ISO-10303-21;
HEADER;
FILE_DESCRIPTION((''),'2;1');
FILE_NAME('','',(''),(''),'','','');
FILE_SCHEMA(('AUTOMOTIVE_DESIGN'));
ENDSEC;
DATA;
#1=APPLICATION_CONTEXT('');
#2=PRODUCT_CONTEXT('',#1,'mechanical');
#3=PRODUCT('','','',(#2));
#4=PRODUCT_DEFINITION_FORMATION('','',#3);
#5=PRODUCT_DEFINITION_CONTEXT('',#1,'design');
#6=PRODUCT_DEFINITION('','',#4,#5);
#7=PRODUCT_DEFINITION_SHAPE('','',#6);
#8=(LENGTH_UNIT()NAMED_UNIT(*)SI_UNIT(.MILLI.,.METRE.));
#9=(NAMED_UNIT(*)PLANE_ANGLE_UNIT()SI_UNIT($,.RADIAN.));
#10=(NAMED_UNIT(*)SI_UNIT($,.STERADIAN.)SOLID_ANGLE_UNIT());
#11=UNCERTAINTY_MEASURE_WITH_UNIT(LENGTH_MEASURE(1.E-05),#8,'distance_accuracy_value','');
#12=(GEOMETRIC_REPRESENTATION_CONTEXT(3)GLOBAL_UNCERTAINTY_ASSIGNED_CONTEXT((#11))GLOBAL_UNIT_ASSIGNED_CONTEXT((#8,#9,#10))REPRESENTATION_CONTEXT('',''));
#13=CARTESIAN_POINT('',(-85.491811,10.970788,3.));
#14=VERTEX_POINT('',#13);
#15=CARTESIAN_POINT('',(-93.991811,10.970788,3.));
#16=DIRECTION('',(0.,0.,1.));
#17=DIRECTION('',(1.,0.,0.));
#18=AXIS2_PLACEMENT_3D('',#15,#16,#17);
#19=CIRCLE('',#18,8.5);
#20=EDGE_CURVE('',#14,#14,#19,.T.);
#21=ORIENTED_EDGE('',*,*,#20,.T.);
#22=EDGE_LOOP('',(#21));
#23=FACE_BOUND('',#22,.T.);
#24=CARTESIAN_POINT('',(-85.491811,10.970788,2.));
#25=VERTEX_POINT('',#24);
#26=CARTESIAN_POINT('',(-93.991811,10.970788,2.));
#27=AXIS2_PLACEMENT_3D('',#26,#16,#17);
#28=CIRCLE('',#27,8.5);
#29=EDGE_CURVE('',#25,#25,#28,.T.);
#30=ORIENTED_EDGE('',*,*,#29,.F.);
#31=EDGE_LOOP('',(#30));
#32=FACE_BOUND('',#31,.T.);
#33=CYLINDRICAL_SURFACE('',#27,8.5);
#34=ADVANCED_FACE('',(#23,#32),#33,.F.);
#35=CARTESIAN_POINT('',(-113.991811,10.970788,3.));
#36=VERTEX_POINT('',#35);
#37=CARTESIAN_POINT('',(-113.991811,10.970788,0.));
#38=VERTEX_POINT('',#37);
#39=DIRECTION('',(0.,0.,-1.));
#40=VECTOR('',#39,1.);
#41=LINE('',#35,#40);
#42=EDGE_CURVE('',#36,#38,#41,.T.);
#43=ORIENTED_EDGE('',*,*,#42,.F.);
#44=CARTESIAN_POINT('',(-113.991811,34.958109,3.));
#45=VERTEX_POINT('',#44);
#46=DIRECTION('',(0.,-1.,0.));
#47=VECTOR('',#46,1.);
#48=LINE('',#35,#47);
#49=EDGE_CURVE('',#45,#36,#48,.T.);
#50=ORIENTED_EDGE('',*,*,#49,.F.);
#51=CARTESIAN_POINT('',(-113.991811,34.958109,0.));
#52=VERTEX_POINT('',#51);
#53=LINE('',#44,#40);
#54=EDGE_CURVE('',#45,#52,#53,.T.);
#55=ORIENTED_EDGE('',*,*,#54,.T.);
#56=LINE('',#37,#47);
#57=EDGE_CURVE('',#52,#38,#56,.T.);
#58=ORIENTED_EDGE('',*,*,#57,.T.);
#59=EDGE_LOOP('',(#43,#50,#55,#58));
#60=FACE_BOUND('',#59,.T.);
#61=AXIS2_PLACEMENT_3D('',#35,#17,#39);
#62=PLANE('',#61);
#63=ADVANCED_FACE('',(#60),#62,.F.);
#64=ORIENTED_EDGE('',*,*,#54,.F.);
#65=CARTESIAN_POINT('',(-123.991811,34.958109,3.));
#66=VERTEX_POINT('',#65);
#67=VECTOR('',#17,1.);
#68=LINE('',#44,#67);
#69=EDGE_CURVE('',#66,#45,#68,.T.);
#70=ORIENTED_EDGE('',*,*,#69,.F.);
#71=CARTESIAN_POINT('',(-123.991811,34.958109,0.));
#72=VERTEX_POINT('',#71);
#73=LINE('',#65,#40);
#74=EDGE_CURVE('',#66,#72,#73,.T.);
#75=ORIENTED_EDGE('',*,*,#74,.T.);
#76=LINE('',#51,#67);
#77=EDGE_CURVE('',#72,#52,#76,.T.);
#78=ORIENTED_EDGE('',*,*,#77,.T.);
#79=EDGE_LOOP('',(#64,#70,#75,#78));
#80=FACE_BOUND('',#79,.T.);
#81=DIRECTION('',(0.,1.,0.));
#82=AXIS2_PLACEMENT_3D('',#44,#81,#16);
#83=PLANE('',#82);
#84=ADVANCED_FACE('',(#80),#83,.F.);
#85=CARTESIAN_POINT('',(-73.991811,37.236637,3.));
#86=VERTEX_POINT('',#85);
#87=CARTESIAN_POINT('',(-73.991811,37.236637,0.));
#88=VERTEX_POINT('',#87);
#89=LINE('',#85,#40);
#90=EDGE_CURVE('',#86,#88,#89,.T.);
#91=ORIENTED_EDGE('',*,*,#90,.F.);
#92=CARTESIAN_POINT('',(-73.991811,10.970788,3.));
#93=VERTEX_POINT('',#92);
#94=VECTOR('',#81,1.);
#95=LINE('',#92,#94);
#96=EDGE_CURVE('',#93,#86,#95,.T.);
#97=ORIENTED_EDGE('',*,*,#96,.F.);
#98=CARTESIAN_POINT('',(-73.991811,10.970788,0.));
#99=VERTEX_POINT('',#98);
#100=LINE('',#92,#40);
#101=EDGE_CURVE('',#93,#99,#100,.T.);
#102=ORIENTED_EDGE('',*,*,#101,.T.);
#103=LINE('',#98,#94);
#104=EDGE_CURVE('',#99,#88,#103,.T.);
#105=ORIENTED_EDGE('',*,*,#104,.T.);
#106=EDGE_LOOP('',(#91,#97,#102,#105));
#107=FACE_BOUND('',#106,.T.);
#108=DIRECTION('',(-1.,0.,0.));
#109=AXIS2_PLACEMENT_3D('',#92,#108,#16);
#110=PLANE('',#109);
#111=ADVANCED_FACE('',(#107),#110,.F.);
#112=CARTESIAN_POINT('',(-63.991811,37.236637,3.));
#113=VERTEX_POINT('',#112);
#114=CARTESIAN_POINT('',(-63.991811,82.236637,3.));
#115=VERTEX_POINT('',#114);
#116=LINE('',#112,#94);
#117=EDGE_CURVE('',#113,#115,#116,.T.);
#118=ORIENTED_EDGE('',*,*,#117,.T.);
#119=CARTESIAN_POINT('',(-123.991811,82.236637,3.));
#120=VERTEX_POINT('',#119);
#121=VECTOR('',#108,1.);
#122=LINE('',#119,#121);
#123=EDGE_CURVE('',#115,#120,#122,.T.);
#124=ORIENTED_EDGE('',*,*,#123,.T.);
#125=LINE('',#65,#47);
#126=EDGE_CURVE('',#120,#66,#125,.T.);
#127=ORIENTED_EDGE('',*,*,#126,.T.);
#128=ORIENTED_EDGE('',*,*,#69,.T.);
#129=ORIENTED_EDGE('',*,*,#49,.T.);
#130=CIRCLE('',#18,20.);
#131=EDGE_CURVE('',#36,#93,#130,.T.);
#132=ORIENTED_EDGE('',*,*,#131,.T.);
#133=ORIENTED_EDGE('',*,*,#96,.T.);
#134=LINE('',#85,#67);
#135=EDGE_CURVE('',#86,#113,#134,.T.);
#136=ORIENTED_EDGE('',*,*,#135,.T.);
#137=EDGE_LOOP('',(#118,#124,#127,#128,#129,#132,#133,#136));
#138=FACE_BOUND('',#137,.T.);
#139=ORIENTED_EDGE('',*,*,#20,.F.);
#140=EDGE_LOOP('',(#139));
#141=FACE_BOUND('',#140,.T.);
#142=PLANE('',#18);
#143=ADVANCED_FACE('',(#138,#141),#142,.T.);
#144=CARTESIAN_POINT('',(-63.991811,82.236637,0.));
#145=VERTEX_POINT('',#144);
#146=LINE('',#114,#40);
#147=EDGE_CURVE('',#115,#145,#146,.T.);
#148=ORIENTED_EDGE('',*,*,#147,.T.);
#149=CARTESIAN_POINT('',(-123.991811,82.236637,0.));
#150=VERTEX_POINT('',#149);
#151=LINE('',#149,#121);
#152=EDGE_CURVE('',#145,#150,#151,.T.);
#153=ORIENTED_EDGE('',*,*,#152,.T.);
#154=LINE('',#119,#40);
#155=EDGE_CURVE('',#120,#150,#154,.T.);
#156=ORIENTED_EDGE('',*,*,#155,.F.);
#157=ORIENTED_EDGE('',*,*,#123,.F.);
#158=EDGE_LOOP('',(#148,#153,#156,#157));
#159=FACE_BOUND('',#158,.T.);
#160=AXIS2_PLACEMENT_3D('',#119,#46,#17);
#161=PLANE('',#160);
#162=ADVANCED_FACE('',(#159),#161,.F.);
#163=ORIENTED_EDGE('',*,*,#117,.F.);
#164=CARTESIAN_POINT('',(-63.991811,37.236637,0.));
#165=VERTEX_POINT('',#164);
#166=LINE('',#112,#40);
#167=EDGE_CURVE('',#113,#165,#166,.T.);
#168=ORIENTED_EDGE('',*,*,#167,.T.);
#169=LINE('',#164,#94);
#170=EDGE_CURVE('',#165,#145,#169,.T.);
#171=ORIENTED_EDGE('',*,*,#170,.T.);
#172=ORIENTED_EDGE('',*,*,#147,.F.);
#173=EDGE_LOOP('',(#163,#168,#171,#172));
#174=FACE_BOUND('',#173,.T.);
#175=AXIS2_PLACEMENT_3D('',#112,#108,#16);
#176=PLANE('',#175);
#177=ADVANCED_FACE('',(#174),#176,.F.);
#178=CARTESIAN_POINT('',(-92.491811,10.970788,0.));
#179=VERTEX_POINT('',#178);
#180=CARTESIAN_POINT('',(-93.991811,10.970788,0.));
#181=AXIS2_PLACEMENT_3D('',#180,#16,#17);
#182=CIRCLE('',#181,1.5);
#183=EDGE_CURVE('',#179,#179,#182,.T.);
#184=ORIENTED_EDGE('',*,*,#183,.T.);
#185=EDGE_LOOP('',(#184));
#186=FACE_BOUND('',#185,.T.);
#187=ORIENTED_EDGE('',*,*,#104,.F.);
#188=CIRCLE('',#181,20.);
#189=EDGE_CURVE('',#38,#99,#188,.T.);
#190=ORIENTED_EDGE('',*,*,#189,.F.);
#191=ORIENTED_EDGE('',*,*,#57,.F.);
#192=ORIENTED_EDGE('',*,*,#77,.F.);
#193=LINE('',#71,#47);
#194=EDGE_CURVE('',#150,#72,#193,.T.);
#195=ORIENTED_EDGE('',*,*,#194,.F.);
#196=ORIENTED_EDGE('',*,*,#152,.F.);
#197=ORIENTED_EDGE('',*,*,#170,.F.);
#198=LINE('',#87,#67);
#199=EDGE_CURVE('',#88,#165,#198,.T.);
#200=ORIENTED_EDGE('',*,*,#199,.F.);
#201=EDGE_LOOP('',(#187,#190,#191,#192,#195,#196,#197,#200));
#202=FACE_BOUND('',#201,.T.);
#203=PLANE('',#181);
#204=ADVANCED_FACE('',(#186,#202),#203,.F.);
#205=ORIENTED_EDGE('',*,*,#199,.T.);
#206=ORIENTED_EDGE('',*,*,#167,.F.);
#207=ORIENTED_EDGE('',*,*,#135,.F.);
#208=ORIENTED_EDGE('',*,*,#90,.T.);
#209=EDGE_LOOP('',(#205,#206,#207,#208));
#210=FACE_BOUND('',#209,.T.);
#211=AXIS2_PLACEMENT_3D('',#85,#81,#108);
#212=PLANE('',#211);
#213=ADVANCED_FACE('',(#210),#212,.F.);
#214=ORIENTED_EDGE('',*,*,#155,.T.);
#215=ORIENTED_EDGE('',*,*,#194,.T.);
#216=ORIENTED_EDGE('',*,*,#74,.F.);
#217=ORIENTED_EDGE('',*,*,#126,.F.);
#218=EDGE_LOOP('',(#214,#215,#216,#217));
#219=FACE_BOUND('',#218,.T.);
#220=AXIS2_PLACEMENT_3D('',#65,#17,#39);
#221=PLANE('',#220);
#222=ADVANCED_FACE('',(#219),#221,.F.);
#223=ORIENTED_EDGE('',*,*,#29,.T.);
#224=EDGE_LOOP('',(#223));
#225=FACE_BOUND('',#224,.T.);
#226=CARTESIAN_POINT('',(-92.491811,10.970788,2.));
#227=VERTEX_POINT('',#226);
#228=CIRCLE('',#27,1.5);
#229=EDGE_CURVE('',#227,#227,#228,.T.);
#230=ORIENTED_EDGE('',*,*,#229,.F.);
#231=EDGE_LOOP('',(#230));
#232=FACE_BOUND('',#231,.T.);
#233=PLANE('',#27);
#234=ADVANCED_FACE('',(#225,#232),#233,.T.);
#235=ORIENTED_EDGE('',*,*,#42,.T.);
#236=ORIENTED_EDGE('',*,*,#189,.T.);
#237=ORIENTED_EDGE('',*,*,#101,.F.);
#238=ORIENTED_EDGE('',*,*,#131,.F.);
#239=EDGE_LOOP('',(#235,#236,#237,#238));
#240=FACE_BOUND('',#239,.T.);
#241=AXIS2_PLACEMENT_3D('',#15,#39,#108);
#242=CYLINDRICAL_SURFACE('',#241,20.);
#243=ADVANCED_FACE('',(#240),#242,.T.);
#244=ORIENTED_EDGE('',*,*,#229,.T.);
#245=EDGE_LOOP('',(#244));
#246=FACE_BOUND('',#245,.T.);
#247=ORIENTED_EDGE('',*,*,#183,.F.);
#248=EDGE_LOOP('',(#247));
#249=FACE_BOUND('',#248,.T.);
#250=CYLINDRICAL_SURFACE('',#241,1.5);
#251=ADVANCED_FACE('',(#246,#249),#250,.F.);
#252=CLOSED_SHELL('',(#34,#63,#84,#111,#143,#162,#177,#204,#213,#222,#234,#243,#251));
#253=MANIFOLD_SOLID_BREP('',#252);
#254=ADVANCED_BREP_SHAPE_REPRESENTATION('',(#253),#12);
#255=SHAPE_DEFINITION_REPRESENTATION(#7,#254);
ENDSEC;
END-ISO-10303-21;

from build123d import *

# Parameters (mm, degrees)
CROQUIS1_R              = 1.5
SALIENTE_EXTRUIR1_DEPTH = 3
CROQUIS2_R              = 8.5
CORTAR_EXTRUIR1_DEPTH   = 1


with BuildPart() as part:
    # Croquis1 → Saliente-Extruir1 (new body)
    with BuildSketch(Plane.XY):
        with BuildLine():
            Line((-113.991811363, 10.970788205), (-113.991811363, 34.958108792))
            Line((-113.991811363, 34.958108792), (-123.991811363, 34.958108792))
            Line((-123.991811363, 34.958108792), (-123.991811363, 82.236637471))
            Line((-123.991811363, 82.236637471), (-63.991811363, 82.236637471))
            Line((-63.991811363, 82.236637471), (-63.991811363, 37.236637471))
            Line((-63.991811363, 37.236637471), (-73.991811363, 37.236637471))
            Line((-73.991811363, 37.236637471), (-73.991811363, 10.970788205))
            ThreePointArc((-73.991811363, 10.970788205), (-93.991811363, -9.029211795), (-113.991811363, 10.970788205))
        make_face()
        with Locations((-93.991811363, 10.970788205)):
            Circle(CROQUIS1_R, mode=Mode.SUBTRACT)
    extrude(amount=SALIENTE_EXTRUIR1_DEPTH)

    # Croquis2 → Cortar-Extruir1 (cut)
    with BuildSketch(Plane.XY.offset(3)):
        with Locations((-93.991811363, 10.970788205)):
            Circle(CROQUIS2_R)
    extrude(amount=-CORTAR_EXTRUIR1_DEPTH, mode=Mode.SUBTRACT)


solid = part.part
